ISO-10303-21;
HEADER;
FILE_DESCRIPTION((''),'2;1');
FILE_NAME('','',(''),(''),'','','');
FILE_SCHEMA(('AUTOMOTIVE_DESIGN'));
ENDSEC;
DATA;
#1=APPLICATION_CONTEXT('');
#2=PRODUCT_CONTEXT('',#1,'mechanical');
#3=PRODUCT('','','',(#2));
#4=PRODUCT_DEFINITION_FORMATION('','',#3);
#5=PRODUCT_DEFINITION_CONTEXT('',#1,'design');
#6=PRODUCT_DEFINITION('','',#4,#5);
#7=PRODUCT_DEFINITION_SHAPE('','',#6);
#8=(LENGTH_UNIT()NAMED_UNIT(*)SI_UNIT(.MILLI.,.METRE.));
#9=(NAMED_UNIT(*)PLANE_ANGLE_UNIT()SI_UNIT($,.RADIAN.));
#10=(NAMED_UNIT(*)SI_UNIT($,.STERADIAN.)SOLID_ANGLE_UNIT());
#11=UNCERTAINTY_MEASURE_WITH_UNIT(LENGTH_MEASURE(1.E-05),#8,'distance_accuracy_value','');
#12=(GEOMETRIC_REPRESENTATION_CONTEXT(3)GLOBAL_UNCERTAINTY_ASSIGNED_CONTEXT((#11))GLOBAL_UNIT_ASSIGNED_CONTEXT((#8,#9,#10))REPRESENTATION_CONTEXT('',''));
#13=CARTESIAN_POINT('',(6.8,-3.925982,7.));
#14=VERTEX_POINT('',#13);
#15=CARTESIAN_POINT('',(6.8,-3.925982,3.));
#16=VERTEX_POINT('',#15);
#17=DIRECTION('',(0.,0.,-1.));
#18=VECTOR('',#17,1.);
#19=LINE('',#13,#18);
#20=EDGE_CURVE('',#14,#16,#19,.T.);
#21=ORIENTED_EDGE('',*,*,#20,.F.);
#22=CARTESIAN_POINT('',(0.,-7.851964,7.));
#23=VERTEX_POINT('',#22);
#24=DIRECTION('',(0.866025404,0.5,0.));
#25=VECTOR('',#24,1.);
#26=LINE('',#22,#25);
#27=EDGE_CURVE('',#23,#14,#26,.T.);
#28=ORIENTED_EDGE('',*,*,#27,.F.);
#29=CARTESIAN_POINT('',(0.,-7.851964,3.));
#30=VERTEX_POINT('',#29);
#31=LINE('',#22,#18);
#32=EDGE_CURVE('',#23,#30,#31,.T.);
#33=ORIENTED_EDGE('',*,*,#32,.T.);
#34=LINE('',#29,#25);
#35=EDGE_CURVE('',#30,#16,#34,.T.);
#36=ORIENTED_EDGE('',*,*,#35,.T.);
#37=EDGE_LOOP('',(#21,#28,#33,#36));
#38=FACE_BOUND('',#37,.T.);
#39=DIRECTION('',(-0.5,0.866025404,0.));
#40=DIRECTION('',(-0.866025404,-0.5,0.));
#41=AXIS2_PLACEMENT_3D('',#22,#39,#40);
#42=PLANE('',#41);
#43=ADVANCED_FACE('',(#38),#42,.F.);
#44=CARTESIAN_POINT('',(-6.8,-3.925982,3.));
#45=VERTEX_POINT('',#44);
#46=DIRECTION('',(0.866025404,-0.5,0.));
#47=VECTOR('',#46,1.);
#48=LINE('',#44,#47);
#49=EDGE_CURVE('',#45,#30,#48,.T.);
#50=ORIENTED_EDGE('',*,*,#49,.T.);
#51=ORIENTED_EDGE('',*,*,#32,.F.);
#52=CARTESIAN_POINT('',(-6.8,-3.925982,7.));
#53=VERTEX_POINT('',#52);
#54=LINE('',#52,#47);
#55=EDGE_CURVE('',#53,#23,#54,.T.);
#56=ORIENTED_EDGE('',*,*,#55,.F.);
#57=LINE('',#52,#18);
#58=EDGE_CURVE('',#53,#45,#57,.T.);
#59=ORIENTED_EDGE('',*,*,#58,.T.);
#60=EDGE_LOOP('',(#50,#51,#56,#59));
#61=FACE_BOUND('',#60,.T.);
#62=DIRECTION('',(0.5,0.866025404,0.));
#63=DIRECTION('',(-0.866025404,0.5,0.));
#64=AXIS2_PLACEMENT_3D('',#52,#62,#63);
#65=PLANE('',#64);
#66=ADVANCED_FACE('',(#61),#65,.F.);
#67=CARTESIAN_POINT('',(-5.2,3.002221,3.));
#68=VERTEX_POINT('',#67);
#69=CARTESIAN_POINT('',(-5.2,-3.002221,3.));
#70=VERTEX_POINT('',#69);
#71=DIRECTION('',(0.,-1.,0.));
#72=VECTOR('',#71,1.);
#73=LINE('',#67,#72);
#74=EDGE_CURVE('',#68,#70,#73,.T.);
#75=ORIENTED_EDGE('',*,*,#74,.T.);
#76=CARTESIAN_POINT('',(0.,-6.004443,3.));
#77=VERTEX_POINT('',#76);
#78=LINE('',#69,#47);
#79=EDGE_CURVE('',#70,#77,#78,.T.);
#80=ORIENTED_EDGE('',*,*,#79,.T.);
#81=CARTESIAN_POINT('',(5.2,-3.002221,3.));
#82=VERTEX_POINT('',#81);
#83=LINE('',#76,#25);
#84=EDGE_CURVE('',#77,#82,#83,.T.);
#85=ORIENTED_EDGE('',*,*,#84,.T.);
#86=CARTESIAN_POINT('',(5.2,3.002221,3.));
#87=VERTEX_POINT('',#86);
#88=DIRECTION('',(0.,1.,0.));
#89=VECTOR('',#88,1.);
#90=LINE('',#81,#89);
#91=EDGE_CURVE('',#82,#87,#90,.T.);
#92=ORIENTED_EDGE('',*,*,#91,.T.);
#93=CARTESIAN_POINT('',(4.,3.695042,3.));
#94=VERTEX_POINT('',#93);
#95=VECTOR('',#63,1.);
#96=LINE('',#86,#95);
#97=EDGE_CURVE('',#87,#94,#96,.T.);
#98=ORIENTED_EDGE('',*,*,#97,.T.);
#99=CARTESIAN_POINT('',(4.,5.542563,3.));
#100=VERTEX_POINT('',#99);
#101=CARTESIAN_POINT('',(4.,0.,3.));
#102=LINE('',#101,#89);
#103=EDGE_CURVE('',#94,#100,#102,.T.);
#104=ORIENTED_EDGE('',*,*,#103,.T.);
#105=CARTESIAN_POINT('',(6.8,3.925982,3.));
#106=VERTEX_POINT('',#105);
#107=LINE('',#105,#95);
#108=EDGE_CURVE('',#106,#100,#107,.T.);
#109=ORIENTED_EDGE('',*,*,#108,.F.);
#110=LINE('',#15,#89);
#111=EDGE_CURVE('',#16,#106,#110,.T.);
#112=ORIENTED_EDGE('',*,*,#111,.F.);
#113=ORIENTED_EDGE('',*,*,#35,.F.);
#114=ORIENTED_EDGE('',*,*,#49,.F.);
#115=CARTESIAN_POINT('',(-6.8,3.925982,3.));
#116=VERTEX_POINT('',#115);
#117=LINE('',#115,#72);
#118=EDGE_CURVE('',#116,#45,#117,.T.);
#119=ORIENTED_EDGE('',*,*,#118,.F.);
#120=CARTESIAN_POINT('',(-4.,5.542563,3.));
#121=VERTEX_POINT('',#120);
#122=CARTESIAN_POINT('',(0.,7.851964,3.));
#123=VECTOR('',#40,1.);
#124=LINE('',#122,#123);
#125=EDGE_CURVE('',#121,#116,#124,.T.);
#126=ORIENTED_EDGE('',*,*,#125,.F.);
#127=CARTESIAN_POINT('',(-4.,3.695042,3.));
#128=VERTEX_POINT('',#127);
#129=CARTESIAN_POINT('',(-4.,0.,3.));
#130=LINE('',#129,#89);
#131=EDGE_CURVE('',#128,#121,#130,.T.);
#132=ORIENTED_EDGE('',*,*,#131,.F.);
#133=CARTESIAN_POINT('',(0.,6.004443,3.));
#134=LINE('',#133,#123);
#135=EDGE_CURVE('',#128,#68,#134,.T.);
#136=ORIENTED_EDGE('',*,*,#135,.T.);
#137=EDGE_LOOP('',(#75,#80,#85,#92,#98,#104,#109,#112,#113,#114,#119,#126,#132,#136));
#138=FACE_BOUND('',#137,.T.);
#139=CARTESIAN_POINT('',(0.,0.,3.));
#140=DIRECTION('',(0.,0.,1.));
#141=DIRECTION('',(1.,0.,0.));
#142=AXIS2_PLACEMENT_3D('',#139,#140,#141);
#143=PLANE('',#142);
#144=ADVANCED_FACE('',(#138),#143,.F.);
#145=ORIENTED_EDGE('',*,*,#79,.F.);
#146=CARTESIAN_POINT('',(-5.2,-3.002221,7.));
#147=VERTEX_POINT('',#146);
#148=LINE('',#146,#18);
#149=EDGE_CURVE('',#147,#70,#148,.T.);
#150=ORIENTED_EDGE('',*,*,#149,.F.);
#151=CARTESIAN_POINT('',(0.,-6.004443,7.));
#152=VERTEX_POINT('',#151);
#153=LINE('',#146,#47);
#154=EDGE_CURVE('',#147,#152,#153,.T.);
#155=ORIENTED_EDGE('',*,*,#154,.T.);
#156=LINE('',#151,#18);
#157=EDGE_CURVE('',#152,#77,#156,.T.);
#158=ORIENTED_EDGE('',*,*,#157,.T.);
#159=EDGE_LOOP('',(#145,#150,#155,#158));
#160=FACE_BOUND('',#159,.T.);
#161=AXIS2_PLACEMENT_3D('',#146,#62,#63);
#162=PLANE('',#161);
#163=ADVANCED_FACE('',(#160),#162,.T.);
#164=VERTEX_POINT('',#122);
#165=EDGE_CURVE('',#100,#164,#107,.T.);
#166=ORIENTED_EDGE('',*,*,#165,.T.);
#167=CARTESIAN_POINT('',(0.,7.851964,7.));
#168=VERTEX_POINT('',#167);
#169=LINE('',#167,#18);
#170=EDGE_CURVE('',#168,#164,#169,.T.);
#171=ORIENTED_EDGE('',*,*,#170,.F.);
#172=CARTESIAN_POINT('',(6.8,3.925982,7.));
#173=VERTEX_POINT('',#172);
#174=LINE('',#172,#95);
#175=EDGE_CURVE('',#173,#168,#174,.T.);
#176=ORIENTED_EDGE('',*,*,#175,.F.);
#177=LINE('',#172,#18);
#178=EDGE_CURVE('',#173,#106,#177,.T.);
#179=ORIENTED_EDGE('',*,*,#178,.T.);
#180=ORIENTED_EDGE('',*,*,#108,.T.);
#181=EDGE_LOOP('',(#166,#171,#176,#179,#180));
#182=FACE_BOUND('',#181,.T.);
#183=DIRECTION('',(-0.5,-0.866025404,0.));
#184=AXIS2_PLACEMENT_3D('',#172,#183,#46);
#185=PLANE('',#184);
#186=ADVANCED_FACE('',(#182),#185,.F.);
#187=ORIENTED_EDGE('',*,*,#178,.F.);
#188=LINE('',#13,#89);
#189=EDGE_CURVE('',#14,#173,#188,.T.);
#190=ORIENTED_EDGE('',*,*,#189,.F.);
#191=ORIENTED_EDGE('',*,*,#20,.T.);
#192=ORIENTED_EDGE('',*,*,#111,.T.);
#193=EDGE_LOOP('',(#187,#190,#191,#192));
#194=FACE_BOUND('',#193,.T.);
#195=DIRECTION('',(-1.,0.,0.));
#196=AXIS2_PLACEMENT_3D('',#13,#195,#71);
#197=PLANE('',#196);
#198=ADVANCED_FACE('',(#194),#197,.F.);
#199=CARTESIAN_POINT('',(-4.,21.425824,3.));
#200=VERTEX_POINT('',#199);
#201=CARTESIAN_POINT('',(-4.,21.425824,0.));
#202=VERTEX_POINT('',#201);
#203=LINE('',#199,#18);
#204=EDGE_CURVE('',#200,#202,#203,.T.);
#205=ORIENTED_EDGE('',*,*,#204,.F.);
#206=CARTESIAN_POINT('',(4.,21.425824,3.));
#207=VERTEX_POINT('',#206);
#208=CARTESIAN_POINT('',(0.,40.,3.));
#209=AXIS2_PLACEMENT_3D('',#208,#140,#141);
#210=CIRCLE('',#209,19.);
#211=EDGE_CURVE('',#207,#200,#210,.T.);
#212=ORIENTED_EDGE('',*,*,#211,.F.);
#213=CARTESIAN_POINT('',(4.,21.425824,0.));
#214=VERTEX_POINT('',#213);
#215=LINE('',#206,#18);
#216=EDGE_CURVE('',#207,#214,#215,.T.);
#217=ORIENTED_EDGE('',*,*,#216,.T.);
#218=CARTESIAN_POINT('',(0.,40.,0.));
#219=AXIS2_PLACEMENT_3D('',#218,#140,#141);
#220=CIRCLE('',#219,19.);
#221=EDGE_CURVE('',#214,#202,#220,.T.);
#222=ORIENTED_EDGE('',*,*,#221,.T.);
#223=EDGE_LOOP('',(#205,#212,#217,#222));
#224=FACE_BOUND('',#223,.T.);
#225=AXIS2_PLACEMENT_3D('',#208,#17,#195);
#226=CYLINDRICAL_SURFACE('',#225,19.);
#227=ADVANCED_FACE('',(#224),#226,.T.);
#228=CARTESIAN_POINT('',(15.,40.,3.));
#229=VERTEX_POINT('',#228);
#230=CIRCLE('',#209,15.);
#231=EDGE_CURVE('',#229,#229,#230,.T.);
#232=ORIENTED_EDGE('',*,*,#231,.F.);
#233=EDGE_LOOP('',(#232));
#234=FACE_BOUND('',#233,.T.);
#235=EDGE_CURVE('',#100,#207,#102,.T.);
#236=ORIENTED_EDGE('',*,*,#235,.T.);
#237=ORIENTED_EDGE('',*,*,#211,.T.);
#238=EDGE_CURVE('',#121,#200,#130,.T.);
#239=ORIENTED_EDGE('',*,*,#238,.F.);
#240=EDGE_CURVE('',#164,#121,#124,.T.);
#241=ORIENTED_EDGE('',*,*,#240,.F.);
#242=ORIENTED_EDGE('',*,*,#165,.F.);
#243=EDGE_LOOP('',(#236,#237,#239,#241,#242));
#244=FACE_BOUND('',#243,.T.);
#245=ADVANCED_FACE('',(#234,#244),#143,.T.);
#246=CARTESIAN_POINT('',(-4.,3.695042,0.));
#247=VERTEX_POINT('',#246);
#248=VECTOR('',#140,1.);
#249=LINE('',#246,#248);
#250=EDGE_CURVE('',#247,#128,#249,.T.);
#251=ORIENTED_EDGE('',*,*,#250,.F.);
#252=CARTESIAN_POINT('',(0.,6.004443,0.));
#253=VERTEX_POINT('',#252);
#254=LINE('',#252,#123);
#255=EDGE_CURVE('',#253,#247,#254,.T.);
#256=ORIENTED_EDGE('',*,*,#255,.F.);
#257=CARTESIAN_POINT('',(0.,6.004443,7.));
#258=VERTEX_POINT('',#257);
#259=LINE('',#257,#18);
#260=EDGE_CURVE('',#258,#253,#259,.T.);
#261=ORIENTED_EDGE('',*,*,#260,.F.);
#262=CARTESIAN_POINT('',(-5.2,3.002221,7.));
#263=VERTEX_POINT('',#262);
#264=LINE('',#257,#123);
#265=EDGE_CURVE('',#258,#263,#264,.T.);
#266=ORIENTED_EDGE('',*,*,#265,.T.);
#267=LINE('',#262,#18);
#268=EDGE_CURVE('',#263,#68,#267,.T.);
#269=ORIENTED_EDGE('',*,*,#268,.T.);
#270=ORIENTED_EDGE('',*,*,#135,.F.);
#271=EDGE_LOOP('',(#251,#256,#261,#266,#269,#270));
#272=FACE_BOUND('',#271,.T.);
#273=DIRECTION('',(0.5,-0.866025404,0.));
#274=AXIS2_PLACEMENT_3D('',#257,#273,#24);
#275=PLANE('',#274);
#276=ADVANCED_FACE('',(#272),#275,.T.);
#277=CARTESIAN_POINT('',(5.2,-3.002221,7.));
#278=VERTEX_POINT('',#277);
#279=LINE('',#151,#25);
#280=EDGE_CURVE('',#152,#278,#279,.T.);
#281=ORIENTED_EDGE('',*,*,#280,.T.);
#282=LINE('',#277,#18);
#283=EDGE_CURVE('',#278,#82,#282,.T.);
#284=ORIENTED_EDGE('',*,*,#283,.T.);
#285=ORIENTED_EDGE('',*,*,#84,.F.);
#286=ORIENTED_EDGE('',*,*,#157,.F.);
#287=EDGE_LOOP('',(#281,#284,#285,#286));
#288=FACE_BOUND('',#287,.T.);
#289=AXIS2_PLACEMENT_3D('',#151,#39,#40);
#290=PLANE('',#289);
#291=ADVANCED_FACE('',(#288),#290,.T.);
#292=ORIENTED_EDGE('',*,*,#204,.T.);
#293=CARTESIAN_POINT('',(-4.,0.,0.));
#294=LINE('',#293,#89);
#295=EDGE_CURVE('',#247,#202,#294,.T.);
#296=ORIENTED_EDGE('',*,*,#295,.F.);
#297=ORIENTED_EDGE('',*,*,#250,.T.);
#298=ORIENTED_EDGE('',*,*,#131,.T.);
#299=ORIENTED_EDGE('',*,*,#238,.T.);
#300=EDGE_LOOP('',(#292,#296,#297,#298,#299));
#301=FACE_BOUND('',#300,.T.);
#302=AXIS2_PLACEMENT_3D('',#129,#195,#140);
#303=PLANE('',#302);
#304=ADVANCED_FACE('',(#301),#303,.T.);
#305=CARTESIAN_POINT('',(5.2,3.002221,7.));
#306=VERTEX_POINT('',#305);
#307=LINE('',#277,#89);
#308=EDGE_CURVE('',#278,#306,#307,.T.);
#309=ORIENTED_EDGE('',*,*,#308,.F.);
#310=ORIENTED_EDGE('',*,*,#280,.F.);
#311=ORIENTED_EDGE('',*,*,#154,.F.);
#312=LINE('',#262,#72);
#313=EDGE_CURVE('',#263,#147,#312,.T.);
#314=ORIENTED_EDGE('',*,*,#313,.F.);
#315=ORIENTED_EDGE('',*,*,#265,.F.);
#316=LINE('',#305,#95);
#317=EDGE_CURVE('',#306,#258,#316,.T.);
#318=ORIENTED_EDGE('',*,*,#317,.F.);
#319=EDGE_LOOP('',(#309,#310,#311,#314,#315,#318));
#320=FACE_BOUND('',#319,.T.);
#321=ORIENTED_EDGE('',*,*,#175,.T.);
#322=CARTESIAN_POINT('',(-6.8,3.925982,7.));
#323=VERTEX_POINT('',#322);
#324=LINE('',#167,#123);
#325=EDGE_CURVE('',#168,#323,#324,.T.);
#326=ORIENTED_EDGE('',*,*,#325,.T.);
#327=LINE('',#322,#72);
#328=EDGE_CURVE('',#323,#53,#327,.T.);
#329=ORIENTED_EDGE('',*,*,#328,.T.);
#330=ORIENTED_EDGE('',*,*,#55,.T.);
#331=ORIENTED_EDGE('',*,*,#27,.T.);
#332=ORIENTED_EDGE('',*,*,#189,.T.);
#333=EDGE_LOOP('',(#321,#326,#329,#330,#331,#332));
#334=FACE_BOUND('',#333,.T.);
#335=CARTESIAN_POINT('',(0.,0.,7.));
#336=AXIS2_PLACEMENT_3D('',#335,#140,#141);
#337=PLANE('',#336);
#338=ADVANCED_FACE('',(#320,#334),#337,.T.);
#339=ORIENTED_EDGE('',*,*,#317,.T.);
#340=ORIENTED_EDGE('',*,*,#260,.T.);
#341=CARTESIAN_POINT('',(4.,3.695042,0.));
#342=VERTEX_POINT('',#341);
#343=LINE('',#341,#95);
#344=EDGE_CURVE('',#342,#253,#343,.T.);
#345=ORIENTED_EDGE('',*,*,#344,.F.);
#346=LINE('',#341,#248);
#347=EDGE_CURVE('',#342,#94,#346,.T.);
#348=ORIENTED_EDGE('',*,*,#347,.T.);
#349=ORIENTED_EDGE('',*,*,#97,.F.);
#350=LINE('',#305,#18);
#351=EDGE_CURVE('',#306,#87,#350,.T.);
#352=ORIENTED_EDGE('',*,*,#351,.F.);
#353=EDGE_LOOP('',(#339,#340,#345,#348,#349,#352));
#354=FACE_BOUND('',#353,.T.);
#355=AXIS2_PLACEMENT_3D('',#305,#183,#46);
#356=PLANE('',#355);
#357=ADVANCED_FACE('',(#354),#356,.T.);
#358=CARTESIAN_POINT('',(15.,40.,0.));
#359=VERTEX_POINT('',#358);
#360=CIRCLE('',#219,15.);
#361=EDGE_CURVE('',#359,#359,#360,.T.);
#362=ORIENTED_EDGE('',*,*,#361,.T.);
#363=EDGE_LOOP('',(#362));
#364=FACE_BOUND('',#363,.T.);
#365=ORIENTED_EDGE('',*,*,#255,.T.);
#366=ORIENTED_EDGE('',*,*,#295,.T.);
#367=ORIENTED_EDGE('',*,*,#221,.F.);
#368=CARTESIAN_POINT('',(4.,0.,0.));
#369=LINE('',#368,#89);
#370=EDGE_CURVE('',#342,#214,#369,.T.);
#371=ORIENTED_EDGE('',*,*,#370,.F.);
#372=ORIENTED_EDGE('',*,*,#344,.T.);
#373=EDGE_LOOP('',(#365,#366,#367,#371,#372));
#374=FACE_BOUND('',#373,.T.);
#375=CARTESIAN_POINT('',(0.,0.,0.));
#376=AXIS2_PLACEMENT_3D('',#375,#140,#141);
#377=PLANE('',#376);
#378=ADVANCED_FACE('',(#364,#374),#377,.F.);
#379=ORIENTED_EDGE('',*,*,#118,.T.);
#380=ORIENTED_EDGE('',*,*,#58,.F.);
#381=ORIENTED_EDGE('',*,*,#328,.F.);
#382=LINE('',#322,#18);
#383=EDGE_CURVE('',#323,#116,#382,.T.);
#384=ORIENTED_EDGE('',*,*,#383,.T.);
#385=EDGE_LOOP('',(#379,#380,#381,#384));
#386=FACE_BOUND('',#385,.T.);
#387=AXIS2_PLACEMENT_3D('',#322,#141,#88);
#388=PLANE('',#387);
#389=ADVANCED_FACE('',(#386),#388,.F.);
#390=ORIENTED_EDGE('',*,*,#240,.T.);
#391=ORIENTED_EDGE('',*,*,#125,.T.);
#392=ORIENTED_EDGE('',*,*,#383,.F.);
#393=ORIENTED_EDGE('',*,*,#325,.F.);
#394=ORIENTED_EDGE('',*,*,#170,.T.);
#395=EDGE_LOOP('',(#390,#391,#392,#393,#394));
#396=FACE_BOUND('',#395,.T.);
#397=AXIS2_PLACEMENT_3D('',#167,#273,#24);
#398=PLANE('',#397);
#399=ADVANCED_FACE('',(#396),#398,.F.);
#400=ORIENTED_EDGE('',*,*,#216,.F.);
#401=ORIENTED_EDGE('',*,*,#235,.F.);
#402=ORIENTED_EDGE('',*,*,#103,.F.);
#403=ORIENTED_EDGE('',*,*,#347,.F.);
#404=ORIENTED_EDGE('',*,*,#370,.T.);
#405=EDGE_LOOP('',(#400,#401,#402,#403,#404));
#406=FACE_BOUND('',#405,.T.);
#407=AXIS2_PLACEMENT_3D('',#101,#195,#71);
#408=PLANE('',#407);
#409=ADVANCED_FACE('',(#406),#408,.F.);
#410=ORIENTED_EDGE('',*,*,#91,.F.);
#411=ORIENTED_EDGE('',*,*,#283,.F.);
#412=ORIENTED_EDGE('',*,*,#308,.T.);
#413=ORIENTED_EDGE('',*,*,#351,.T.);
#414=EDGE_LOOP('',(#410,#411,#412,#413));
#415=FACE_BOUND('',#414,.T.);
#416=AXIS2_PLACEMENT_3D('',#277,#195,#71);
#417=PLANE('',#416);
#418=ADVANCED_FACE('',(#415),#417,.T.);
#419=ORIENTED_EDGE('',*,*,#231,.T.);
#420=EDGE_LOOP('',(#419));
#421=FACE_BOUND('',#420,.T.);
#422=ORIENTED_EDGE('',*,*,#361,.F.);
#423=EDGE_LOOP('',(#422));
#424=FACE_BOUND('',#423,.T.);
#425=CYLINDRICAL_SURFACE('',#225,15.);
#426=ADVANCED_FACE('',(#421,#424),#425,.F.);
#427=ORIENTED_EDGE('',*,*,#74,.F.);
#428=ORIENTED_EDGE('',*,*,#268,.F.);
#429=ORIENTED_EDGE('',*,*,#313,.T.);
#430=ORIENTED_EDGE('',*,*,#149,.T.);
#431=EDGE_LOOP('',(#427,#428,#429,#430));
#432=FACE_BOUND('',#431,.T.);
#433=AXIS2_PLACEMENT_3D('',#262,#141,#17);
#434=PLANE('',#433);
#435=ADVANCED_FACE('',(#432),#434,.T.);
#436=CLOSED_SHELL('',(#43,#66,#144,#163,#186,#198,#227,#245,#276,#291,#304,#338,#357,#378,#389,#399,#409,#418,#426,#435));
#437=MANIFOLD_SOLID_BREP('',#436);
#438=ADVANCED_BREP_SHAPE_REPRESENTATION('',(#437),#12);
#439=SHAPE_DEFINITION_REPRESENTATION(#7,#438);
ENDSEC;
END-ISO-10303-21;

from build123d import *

# Parameters (mm, degrees)
SKETCH1_R           = 19
SKETCH1_R_2         = 15
BOSS_EXTRUDE1_DEPTH = 3
BOSS_EXTRUDE2_DEPTH = 4
CUT_EXTRUDE1_DEPTH  = 4


with BuildPart() as part:
    # Sketch1 → Boss-Extrude1 (new body)
    with BuildSketch(Plane.XY):
        Polygon((5, -2.886751346), (5, 2.886751346), (0, 5.773502692), (-5, 2.886751346), (-5, -2.886751346), (0, -5.773502692), align=None)
        with BuildLine():
            Line((-4, 3.464101615), (0, 5.773502692))
            Line((0, 5.773502692), (4, 3.464101615))
            Line((4, 3.464101615), (4, 21.425824379))
            ThreePointArc((4, 21.425824379), (0, 21), (-4, 21.425824379))
            Line((-4, 21.425824379), (-4, 3.464101615))
        make_face()
        with Locations((0, 40)):
            Circle(SKETCH1_R)
        with Locations((0, 40)):
            Circle(SKETCH1_R_2, mode=Mode.SUBTRACT)
    extrude(amount=BOSS_EXTRUDE1_DEPTH)

    # Sketch2 → Boss-Extrude2 (add)
    with BuildSketch(Plane.XY.offset(3)):
        Polygon((0, -7.851963661), (6.8, -3.92598183), (6.8, 3.92598183), (0, 7.851963661), (-6.8, 3.92598183), (-6.8, -3.92598183), align=None)
        Polygon((0, -6.0044428), (5.2, -3.0022214), (5.2, 3.0022214), (0, 6.0044428), (-5.2, 3.0022214), (-5.2, -3.0022214), align=None, mode=Mode.SUBTRACT)
    extrude(amount=BOSS_EXTRUDE2_DEPTH)

    # Sketch3 → Cut-Extrude1 (cut, through all)
    with BuildSketch(Plane.XY.offset(3)):
        Polygon((4, 3.464101615), (4, 3.695041723), (0, 6.0044428), (-4, 3.695041723), (-4, 3.464101615), (-5, 2.886751346), (-5, -2.886751346), (0, -5.773502692), (5, -2.886751346), (5, 2.886751346), align=None)
    extrude(amount=-CUT_EXTRUDE1_DEPTH, mode=Mode.SUBTRACT)


solid = part.part
